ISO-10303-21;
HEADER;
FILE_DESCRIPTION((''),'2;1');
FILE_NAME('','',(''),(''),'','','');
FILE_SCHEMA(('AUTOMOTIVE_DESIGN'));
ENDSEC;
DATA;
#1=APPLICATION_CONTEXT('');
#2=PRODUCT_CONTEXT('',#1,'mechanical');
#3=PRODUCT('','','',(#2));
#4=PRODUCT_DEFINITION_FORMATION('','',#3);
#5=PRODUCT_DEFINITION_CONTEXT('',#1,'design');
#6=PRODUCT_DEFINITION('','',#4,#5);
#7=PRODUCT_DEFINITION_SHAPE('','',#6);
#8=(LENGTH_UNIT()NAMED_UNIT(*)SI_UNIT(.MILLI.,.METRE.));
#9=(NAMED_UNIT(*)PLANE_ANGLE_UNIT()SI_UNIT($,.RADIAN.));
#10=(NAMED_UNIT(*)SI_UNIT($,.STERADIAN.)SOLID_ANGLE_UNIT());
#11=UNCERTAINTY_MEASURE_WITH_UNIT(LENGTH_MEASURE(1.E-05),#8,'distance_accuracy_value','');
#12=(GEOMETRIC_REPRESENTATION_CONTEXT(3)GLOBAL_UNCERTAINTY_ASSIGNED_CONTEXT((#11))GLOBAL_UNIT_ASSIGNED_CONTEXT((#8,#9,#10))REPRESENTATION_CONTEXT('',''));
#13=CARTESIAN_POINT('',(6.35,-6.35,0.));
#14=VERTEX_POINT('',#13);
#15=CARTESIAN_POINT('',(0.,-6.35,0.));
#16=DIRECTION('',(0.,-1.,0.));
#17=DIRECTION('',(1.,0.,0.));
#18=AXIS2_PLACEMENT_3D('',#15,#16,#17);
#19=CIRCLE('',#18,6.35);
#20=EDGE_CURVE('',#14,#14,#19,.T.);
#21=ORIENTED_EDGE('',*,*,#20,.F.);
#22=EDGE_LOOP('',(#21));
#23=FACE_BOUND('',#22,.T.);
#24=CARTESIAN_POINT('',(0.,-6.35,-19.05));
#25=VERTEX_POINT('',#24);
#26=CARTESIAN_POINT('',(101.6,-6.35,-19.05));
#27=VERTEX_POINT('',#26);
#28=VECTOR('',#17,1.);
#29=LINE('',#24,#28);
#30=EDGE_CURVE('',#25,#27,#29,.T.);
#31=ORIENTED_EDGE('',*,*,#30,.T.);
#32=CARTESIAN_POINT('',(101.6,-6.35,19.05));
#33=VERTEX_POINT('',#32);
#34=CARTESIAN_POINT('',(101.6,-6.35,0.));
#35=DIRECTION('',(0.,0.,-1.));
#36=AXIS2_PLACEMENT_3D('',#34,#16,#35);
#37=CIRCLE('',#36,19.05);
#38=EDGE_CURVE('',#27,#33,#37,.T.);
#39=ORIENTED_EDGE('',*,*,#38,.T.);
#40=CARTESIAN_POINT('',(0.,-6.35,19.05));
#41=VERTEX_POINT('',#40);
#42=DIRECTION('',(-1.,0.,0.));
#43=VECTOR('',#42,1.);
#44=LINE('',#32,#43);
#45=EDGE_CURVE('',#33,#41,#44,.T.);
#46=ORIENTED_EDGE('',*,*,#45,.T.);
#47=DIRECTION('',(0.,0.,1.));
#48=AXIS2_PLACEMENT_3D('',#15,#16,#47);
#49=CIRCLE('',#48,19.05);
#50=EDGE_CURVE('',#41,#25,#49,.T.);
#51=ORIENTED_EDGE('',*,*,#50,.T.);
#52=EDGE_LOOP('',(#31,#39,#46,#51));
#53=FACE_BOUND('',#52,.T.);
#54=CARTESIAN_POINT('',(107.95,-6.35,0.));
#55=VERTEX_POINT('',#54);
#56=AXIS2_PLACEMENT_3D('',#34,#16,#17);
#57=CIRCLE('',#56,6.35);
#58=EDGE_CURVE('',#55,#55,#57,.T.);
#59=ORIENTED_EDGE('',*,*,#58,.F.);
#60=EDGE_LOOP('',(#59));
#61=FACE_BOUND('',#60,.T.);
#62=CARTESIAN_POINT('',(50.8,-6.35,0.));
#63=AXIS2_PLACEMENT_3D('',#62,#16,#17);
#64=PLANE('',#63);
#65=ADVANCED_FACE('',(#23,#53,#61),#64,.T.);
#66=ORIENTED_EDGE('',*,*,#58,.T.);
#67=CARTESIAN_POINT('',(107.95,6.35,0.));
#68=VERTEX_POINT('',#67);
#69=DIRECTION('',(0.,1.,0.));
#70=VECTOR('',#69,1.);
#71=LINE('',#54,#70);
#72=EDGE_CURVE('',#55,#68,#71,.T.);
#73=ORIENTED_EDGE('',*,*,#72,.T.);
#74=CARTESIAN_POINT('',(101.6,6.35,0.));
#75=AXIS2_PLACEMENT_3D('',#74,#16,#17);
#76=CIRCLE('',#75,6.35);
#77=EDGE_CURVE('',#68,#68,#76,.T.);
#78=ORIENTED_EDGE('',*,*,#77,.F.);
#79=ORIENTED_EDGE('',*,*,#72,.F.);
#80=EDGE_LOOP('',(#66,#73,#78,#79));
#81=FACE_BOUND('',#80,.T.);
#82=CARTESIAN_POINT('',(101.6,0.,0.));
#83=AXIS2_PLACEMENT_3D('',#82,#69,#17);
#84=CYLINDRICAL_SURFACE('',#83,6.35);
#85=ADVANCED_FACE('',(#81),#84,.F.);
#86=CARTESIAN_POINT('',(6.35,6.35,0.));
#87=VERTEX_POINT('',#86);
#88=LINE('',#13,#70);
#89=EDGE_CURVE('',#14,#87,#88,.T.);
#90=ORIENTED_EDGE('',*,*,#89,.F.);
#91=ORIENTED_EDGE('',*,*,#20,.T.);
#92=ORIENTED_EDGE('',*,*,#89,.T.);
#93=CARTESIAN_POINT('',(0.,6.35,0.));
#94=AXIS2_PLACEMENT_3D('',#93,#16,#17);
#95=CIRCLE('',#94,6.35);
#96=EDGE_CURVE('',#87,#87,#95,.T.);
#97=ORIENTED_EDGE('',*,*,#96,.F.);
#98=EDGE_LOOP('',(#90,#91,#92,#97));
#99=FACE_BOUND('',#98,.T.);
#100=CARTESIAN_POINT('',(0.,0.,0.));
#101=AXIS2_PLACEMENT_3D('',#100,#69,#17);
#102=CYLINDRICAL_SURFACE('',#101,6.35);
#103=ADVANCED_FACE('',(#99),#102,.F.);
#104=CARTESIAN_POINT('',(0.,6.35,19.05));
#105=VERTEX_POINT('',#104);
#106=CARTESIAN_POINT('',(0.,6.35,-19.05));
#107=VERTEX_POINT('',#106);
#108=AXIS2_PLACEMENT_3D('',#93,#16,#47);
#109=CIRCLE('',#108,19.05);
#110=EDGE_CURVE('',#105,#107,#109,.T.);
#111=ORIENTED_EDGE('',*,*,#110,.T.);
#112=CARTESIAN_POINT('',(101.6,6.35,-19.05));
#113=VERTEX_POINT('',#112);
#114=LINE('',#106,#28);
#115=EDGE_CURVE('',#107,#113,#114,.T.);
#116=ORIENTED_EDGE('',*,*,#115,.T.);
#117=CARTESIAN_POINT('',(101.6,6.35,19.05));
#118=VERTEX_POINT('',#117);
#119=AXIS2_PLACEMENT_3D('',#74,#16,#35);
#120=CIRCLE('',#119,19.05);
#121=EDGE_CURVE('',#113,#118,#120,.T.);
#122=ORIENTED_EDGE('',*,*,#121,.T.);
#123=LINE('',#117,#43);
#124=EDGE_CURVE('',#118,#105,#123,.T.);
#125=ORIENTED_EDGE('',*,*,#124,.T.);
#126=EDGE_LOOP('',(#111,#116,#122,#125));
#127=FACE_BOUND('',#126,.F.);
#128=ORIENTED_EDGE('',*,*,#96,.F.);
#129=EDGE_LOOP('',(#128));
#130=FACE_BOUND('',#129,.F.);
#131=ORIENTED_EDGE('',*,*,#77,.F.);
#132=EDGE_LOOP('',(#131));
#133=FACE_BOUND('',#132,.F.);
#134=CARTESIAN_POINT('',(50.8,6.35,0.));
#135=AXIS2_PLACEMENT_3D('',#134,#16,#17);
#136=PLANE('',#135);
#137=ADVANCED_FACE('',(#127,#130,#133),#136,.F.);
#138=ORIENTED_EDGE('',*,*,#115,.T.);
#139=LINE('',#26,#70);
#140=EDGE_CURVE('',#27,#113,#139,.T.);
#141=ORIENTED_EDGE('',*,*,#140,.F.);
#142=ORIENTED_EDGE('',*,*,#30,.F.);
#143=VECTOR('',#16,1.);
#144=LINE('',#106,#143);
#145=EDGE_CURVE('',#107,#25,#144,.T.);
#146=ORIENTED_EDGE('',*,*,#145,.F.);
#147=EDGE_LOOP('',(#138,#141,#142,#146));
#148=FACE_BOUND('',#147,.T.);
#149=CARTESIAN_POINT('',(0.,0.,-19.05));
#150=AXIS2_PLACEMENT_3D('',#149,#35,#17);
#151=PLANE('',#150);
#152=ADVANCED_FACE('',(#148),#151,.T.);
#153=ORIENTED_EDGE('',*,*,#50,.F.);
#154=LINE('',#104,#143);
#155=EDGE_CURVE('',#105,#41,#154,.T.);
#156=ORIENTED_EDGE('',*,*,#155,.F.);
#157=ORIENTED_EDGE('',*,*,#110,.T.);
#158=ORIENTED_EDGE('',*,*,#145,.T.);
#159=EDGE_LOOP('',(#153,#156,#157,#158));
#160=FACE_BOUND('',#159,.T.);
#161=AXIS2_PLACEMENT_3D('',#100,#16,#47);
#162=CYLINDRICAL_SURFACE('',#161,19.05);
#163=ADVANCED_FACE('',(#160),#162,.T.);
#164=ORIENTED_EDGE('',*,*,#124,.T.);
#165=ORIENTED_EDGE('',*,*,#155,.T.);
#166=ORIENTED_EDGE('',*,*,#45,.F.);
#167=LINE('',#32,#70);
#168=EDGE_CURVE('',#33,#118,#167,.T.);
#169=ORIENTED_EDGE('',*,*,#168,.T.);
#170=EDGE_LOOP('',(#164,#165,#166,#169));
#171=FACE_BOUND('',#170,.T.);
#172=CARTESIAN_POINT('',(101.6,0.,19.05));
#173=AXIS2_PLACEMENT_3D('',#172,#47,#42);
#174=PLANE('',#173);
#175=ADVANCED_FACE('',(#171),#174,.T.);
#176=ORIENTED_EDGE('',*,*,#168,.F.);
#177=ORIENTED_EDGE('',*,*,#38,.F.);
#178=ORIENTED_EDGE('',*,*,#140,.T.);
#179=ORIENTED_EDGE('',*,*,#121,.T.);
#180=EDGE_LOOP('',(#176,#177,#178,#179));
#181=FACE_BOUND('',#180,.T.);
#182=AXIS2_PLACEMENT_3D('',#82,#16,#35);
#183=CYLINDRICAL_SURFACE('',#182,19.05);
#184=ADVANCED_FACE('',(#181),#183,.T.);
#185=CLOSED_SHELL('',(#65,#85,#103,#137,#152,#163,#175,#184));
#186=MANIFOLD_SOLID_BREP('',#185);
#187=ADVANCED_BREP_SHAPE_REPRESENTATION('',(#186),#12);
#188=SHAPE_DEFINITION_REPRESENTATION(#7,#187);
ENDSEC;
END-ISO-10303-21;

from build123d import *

# Parameters (mm, degrees)
F0_R     = 6.35
F1_DEPTH = 6.35


with BuildPart() as f1:
    # F0 (on Front) → F1 (new body, symmetric)
    with BuildSketch(Plane.XZ):
        with BuildLine():
            Line((101.6, 19.05), (0, 19.05))
            ThreePointArc((0, 19.05), (-19.05, 0), (0, -19.05))
            Line((0, -19.05), (101.6, -19.05))
            ThreePointArc((101.6, -19.05), (120.65, 0), (101.6, 19.05))
        make_face()
        Circle(F0_R, mode=Mode.SUBTRACT)
        with Locations((101.6, 0)):
            Circle(F0_R, mode=Mode.SUBTRACT)
    extrude(amount=F1_DEPTH, both=True)


solid = f1.part
